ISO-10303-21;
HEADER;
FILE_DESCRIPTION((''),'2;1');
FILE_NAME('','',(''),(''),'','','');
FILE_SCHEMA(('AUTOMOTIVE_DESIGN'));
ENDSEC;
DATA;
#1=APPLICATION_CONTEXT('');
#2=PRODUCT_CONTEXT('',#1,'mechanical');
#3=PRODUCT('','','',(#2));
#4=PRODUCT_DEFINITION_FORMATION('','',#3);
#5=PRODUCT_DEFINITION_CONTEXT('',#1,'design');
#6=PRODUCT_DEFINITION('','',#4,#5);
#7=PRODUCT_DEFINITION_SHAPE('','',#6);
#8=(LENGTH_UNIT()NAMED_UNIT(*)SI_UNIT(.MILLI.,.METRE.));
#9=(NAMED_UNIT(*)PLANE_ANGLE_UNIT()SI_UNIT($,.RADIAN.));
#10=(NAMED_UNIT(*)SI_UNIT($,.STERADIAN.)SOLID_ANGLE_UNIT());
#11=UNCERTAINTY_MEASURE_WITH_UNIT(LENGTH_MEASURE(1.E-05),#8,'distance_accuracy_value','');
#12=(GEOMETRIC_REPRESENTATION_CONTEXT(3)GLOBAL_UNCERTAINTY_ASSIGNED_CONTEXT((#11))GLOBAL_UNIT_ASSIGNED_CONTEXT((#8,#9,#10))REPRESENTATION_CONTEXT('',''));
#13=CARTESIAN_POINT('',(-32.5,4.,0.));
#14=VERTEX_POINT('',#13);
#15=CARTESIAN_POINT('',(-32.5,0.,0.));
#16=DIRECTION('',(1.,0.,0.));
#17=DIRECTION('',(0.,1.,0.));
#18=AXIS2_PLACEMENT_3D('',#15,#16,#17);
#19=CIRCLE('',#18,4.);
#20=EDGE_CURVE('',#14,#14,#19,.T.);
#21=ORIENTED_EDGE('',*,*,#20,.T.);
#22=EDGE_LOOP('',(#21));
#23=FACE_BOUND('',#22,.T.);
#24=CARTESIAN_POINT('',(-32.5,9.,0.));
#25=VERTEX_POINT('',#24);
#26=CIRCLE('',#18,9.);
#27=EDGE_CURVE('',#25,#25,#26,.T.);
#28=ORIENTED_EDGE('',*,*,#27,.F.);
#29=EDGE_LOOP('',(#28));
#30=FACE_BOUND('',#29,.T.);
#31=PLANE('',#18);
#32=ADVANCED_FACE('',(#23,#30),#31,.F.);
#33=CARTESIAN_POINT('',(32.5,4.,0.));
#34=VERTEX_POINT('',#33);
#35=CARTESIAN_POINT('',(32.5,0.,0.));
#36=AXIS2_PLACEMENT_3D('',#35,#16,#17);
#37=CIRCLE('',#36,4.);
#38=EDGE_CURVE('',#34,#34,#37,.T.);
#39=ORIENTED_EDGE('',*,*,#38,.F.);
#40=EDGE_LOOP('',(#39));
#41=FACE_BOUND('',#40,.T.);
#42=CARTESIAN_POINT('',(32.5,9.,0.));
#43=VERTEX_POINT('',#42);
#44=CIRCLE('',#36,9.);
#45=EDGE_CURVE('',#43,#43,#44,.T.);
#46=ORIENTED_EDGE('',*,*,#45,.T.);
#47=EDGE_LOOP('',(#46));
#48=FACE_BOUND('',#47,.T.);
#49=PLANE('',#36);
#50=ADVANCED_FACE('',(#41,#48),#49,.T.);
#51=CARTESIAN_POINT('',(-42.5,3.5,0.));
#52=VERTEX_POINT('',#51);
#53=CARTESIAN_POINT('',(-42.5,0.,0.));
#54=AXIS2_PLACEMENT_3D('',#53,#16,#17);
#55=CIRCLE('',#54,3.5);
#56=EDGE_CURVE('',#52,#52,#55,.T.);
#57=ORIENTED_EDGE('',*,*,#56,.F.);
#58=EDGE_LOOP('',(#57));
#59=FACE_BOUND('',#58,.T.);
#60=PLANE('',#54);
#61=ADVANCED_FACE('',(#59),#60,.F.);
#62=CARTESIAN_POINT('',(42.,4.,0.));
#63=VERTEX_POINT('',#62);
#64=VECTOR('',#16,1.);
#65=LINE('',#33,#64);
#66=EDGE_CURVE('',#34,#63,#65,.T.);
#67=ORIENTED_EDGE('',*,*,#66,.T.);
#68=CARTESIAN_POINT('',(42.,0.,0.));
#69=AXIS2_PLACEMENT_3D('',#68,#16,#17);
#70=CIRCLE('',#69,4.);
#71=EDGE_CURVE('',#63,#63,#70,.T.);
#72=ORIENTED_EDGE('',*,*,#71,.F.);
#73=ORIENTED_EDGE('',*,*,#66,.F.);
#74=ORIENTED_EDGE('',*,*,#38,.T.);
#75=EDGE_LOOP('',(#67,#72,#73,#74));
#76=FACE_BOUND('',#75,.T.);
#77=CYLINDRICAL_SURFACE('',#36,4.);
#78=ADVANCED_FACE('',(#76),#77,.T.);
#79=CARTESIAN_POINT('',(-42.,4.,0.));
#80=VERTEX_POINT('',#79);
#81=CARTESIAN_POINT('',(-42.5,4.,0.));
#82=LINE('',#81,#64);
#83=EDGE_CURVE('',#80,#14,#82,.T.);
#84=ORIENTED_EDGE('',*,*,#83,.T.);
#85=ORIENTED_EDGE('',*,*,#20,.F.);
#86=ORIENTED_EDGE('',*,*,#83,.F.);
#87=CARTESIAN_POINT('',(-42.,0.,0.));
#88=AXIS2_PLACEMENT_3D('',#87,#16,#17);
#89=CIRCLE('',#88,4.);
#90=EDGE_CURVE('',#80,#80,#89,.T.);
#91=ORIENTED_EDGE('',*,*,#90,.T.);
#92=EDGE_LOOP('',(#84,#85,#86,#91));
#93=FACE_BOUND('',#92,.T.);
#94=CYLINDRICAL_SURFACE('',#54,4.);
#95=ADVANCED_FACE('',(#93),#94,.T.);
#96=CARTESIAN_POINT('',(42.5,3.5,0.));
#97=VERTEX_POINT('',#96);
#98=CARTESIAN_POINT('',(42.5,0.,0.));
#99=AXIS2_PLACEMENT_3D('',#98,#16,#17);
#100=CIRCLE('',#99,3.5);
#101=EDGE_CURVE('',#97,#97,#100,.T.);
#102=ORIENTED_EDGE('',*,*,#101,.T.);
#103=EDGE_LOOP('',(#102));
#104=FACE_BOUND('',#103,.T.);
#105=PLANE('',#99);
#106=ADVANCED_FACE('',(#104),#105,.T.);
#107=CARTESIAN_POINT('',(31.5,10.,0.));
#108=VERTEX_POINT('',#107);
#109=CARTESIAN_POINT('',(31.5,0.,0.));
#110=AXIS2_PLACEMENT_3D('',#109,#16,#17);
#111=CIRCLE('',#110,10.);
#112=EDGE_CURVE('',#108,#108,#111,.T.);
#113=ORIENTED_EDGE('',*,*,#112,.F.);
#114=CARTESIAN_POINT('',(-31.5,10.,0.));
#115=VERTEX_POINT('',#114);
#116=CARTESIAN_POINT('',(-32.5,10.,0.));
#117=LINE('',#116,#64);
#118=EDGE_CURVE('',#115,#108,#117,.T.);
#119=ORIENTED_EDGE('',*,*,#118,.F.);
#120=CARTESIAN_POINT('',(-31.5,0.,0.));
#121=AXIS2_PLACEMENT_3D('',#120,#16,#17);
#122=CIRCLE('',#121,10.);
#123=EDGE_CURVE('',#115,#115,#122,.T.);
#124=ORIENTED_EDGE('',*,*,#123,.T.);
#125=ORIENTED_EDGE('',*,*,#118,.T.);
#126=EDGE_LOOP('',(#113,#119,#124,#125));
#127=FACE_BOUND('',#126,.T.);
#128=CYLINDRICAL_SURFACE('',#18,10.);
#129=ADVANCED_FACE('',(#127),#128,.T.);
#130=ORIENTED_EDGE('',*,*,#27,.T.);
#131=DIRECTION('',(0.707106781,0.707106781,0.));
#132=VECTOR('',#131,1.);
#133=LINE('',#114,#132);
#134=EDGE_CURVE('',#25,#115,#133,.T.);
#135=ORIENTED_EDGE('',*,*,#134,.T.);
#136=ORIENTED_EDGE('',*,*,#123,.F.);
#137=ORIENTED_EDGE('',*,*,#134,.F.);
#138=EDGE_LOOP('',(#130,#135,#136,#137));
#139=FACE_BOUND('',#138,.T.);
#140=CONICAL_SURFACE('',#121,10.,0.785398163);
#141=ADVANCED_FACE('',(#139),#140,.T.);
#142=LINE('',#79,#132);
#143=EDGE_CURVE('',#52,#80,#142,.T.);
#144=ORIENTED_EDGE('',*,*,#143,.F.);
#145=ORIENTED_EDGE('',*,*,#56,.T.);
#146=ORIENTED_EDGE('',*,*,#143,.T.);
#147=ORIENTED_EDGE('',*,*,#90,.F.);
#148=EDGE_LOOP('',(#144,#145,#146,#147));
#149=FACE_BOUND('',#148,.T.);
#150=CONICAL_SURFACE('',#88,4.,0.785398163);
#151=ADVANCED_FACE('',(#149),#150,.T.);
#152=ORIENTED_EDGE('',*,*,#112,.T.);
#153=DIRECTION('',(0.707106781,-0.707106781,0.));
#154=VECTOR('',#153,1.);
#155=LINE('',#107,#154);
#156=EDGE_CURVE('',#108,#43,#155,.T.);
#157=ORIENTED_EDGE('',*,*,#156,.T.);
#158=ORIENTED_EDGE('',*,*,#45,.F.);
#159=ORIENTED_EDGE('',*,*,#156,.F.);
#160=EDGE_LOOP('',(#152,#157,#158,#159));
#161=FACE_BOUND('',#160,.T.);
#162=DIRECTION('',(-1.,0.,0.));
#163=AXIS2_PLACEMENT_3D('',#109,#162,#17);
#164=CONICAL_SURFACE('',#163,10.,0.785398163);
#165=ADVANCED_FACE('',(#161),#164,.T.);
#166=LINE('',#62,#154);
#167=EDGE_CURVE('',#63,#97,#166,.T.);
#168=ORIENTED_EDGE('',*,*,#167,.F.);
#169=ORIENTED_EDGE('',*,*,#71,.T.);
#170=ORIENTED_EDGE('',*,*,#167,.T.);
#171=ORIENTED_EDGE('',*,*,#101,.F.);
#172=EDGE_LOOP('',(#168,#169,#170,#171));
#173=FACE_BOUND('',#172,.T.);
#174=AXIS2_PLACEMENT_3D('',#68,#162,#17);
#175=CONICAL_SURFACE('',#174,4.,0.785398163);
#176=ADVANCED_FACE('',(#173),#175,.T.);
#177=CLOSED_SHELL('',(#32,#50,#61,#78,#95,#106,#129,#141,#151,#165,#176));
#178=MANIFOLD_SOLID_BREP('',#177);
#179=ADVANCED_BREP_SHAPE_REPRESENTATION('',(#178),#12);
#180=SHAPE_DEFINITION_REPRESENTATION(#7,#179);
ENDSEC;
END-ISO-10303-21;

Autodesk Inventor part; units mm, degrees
ref_plane "YZ Plane" through (0, 0, 0) normal (1, 0, 0) x (0, 1, 0)
ref_plane "XZ Plane" through (0, 0, 0) normal (0, 1, 0) x (-1, 0, 0)
ref_plane "XY Plane" through (0, 0, 0) normal (0, 0, 1) x (1, 0, 0)
sketch "Schizzo1" plane through (0, 0, 0) normal (0, 0, 1) x (1, 0, 0)
  line L0 (-42.5, 0) -> (42.5, 0)
  line L1 (-42.5, 0) -> (-42.5, 4)
  line L2 (-42.5, 4) -> (-32.5, 4)
  line L3 (-32.5, 4) -> (-32.5, 10)
  line L4 (-32.5, 10) -> (32.5, 10)
  line L5 (32.5, 10) -> (32.5, 4)
  line L6 (32.5, 4) -> (42.5, 4)
  line L7 (42.5, 4) -> (42.5, 0)
  point P0 (0, 0)
  point P1 (0, 0)
  point P2 (0, 10)
  dimension "d0" = 8
  dimension "d1" = 10
  dimension "d2" = 20
  dimension "d3" = 65
  dimension "d4" = 10
revolve "Rivoluzione1" add sketch "Schizzo1" angle 360 about axis through (-42.5, 0, 0) along (1, 0, 0)
chamfer "Smusso1" distance 0.5 angle 45 2 edges at (-42.5, -4, 0) (42.5, -4, 0)
thread "Filettatura1" size "M8x1.25" class "6g" standard "ISO Metric profile" full length
chamfer "Smusso2" distance 1 angle 45 2 edges at (-32.5, -10, 0) (32.5, -10, 0)
properties part number "Albero cuscinetto"
